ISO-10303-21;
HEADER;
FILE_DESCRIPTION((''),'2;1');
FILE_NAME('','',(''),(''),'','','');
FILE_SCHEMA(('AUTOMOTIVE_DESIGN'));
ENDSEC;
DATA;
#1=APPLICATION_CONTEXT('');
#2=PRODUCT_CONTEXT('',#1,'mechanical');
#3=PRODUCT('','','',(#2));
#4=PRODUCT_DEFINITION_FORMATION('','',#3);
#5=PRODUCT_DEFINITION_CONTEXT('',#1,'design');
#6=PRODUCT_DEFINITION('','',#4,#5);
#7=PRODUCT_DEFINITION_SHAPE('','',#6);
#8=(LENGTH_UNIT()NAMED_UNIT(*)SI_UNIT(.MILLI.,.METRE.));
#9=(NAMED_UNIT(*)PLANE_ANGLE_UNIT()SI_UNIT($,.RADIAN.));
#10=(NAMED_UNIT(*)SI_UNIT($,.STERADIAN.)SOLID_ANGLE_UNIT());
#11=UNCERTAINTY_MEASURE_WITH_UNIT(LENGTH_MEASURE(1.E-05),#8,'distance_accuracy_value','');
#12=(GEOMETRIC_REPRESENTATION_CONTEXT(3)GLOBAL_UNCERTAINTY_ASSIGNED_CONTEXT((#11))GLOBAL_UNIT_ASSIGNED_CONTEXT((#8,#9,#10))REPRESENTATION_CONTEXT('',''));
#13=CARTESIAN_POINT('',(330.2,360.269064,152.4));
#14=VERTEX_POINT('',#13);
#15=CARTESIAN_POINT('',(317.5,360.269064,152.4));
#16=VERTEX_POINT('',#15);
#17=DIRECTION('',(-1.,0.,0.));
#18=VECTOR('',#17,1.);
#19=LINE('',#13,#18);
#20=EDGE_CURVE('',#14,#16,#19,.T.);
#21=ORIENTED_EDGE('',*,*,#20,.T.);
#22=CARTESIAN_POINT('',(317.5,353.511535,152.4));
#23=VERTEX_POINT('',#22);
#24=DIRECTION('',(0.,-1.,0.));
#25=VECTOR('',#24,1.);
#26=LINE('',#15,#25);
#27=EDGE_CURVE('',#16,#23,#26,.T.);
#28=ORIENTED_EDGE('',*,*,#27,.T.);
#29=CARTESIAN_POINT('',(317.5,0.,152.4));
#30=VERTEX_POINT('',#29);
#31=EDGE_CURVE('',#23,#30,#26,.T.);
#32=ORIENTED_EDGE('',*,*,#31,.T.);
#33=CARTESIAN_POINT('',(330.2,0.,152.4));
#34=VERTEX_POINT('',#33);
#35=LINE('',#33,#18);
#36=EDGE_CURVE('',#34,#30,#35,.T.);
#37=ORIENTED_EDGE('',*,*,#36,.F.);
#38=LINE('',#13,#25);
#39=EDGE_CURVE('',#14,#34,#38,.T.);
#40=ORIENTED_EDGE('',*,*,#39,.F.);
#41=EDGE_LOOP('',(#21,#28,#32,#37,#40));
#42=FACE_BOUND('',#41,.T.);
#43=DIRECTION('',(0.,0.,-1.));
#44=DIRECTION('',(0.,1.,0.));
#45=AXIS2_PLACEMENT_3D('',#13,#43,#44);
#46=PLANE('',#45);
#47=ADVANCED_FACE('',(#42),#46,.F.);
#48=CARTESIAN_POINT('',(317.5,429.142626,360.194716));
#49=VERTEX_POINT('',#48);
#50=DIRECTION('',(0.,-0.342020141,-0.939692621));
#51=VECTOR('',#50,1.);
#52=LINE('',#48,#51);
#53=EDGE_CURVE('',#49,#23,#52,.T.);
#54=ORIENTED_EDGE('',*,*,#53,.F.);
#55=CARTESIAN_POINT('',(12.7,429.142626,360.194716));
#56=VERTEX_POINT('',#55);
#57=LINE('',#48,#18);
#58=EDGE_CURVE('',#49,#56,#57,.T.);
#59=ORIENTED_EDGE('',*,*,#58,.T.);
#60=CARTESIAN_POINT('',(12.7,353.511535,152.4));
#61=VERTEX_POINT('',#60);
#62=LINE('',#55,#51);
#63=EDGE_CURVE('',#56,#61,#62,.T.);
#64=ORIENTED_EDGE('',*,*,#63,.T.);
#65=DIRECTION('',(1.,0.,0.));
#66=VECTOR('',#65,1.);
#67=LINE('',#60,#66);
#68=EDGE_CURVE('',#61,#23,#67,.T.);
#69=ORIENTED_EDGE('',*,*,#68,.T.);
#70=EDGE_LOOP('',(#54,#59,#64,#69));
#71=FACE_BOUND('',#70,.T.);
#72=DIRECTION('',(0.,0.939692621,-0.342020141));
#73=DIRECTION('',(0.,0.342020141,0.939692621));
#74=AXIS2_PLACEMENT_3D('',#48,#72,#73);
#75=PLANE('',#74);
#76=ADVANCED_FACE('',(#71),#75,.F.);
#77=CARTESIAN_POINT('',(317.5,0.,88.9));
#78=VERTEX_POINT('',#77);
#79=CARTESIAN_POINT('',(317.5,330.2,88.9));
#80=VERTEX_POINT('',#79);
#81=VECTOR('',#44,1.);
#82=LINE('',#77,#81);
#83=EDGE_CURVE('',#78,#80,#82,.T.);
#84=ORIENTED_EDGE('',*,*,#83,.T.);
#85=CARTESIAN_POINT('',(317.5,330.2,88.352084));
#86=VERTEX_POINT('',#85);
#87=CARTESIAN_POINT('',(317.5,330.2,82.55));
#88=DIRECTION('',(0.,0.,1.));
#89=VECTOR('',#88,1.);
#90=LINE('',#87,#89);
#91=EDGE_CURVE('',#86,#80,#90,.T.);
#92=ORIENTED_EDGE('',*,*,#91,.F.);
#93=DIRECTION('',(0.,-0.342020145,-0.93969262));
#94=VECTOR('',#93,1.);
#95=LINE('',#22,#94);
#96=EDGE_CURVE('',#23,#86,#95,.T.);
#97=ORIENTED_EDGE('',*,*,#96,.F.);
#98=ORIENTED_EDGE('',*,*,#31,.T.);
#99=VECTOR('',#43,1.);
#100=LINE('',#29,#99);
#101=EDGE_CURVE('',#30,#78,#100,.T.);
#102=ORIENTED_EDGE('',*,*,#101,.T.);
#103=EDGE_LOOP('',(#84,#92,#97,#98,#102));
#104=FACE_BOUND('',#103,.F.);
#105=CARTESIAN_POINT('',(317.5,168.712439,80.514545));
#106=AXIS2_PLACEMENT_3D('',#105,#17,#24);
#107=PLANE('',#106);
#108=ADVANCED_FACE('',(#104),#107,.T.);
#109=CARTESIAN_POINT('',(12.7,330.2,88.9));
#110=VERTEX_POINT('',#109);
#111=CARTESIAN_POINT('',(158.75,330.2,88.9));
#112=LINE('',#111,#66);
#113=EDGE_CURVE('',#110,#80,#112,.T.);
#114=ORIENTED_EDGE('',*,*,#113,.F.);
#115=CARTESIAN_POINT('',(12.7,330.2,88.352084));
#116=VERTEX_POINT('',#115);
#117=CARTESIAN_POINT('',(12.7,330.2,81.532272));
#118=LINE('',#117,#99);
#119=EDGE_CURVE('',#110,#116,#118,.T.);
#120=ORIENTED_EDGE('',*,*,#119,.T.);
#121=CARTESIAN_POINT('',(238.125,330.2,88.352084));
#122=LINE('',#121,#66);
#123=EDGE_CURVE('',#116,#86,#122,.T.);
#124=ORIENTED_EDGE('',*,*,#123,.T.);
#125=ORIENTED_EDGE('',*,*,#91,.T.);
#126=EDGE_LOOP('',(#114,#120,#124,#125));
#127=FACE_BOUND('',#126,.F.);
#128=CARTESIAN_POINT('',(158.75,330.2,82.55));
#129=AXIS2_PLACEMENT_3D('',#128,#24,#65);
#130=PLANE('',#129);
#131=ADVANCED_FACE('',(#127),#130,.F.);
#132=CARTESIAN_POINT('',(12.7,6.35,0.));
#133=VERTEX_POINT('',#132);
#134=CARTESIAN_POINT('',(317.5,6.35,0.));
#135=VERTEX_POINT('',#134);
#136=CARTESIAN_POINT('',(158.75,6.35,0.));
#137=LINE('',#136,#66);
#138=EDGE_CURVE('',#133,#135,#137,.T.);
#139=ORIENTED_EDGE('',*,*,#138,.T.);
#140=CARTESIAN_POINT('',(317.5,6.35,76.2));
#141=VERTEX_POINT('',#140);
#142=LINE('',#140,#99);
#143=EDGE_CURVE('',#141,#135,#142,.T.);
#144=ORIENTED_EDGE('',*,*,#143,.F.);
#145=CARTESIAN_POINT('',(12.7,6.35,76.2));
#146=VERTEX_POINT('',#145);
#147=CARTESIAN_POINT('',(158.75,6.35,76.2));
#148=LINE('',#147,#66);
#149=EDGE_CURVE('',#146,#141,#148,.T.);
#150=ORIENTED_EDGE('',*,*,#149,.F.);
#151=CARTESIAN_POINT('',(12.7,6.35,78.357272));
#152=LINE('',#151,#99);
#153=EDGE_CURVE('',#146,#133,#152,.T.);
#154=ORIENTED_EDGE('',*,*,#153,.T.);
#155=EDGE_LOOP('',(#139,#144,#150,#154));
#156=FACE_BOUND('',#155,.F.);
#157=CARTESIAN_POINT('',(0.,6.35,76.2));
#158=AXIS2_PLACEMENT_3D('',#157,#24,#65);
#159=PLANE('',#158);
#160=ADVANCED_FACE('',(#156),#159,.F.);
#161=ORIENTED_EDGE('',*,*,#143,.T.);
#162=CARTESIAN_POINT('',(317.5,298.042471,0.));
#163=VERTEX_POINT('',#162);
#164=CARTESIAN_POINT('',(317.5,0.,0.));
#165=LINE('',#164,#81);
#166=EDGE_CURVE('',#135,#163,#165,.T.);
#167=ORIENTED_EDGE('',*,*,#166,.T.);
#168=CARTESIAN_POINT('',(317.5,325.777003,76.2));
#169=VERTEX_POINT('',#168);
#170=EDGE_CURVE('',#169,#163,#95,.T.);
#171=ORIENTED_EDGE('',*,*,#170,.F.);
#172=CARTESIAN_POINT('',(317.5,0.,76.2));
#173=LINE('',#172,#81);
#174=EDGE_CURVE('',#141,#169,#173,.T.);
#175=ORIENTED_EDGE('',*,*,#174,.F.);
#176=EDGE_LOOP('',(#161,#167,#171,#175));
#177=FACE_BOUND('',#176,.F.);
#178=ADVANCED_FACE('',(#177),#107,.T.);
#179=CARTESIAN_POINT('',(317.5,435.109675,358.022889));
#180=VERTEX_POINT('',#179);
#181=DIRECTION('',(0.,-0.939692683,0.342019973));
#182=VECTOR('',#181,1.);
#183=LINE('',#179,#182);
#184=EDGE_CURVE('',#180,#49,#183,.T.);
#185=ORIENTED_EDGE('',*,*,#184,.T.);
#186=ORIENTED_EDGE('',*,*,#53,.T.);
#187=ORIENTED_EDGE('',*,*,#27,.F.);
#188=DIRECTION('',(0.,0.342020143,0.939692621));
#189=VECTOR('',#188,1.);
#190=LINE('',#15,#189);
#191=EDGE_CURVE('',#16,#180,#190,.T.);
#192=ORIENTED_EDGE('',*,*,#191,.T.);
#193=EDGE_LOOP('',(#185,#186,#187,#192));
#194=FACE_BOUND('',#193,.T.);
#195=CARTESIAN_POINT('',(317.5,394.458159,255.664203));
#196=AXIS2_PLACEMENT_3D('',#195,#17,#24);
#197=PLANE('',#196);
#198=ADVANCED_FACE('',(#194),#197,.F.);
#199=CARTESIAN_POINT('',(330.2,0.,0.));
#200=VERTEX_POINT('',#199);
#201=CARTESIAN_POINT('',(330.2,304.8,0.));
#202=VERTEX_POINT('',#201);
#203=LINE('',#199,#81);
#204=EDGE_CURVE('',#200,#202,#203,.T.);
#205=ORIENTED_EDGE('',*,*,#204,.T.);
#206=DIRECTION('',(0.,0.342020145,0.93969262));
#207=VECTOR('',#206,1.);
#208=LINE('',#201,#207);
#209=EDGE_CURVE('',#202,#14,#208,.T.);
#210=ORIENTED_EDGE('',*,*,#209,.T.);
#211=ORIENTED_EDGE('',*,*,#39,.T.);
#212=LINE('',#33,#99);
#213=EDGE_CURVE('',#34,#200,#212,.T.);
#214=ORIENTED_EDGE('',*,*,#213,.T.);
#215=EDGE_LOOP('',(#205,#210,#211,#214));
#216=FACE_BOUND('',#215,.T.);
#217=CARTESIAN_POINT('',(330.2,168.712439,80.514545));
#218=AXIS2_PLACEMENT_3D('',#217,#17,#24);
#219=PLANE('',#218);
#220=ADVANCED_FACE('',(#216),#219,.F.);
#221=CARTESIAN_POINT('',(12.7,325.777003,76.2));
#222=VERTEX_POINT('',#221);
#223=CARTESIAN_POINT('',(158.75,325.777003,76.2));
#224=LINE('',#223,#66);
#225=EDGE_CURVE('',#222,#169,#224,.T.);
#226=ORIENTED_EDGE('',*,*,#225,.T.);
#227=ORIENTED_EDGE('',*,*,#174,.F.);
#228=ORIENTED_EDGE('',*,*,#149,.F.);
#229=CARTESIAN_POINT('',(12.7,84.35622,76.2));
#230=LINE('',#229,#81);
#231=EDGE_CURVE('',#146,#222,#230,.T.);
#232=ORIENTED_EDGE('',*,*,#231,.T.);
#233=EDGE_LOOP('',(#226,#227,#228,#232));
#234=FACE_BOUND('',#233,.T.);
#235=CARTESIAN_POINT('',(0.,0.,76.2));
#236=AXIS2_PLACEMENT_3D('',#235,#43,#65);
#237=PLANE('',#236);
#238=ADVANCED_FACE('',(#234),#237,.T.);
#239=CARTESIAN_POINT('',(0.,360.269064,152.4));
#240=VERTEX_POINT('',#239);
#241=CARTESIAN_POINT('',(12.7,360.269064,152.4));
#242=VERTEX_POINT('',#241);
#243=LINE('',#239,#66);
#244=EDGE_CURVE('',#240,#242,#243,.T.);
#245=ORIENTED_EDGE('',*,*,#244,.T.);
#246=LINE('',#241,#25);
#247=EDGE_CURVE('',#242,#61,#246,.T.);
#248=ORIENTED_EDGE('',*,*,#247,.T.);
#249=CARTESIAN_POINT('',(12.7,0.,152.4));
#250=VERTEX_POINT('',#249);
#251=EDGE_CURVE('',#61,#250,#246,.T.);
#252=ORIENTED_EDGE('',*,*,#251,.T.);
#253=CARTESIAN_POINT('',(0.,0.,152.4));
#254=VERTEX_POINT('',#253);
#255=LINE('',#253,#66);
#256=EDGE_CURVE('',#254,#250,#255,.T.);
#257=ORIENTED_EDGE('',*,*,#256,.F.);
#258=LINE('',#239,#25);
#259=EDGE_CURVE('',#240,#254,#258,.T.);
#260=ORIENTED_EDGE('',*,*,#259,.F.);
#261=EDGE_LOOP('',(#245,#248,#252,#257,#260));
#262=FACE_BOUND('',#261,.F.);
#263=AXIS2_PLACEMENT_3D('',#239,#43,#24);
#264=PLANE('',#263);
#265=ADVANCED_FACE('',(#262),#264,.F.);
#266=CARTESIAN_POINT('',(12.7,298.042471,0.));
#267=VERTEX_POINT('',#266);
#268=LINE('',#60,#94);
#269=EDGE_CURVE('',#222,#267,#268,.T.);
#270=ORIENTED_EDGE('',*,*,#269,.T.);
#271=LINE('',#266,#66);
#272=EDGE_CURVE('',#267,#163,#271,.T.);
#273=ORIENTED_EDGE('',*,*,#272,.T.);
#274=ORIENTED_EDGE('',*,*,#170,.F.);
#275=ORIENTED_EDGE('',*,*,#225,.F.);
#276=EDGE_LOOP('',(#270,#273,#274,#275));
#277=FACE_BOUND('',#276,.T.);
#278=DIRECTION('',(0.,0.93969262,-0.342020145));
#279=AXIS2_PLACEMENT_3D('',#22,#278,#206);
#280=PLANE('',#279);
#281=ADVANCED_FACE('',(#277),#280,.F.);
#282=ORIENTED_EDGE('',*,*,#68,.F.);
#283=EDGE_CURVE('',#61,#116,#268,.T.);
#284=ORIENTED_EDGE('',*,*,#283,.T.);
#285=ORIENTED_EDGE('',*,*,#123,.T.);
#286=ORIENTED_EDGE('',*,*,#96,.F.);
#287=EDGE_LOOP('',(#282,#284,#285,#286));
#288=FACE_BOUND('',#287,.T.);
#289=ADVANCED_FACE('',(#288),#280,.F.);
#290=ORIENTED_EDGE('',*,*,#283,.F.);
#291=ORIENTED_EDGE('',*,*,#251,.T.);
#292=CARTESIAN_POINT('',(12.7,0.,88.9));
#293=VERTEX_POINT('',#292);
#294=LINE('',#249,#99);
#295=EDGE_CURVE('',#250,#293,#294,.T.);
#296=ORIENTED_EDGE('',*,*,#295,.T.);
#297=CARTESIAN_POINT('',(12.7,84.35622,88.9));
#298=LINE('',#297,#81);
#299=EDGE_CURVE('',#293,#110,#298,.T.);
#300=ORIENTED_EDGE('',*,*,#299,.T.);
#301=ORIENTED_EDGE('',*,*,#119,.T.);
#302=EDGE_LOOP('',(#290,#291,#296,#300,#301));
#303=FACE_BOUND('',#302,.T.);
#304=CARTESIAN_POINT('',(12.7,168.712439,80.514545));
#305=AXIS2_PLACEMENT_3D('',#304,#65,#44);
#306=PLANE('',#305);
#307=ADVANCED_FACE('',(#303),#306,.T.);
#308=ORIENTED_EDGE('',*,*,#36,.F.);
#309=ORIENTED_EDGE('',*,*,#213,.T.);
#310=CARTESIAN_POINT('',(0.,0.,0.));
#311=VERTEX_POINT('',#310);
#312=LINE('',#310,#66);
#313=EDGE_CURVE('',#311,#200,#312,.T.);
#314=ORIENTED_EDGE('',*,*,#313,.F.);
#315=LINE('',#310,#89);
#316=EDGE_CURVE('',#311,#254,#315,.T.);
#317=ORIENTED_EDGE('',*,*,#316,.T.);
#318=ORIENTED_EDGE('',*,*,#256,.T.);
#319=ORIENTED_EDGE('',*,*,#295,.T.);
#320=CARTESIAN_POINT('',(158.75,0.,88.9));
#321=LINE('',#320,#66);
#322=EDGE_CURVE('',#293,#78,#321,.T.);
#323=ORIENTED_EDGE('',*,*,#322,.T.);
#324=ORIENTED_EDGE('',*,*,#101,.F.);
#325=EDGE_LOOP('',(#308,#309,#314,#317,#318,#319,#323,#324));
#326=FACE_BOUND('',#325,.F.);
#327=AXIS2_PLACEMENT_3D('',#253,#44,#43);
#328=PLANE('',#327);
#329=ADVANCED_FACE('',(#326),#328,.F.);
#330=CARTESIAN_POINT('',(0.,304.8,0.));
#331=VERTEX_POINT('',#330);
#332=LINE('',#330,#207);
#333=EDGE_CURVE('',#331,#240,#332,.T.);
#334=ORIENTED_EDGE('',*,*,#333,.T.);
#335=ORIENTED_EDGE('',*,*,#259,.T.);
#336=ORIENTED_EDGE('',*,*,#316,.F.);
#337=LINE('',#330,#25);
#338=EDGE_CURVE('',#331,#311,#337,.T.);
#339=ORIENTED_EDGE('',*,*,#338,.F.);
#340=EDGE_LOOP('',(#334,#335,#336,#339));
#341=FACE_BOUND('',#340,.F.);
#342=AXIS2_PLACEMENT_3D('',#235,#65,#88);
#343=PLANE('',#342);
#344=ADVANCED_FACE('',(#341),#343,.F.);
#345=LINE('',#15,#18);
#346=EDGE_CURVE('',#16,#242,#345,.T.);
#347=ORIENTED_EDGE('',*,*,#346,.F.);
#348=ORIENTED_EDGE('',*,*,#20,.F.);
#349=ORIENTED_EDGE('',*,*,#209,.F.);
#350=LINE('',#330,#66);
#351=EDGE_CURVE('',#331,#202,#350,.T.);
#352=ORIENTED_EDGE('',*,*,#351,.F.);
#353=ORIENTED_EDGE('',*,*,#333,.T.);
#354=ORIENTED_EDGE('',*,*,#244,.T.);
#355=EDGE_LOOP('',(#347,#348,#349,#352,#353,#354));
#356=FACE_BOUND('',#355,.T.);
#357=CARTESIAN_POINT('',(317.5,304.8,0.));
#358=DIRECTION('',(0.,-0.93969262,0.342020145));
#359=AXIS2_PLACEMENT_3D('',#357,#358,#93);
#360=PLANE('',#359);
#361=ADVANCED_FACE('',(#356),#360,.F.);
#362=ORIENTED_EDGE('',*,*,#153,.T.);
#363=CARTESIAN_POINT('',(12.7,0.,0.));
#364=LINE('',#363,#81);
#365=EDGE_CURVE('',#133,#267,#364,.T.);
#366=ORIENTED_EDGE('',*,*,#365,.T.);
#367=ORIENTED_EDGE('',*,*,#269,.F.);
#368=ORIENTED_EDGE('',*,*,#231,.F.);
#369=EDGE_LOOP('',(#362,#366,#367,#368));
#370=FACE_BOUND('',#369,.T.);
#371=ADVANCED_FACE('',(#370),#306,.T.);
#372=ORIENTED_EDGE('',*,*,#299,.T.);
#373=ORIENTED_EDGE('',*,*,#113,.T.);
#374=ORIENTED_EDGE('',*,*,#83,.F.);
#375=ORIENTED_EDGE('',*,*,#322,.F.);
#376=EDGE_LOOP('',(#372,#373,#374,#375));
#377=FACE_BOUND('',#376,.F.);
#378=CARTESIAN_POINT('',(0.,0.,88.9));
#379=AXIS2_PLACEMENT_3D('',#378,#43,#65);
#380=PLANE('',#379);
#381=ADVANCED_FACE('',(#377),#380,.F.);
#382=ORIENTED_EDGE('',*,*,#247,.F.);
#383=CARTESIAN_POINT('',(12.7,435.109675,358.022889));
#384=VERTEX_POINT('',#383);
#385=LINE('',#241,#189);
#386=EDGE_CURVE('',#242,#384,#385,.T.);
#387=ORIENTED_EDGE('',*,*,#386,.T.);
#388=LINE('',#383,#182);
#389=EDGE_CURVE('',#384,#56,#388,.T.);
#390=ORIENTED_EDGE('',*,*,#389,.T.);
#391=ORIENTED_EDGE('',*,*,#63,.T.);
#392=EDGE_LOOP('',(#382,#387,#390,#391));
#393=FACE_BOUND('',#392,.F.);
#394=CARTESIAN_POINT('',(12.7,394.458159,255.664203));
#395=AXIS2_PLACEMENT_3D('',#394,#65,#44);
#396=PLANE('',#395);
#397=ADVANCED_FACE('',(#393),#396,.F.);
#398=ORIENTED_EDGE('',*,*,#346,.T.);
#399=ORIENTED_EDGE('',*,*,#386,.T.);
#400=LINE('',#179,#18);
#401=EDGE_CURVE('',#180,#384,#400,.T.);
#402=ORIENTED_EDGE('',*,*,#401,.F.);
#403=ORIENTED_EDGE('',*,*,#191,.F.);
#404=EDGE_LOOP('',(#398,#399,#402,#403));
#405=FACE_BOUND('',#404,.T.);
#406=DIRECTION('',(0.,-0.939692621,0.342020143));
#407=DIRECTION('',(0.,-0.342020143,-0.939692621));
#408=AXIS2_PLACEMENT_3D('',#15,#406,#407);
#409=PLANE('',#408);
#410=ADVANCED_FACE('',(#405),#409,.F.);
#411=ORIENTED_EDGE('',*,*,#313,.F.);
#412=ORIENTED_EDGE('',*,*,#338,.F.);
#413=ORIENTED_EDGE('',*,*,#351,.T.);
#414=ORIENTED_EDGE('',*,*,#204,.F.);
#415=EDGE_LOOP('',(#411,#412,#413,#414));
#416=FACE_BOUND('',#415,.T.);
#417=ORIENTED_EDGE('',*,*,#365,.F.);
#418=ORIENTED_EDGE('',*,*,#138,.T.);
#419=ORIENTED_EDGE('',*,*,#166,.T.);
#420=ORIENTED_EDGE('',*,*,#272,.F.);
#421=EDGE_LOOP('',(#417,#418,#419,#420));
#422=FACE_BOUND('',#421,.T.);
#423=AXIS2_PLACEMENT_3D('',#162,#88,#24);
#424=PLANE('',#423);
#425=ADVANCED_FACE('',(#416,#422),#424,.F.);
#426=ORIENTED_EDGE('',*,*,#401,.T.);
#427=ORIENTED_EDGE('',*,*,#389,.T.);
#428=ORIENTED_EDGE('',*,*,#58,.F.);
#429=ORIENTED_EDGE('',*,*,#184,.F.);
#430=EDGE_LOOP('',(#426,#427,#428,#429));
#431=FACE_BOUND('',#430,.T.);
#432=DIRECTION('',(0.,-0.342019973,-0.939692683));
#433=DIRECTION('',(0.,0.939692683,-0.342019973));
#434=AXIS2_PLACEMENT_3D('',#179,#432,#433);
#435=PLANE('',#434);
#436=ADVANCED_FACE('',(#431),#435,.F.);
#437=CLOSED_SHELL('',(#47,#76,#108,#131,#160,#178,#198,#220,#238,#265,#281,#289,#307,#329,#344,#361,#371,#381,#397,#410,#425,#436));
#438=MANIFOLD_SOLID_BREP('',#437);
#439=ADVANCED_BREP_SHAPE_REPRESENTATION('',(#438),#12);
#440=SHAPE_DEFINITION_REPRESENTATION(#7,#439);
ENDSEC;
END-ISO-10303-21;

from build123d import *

# Parameters (mm, degrees)
F1_DEPTH = 12.7
F3_DEPTH = 152.4
F5_W     = 317.5
F5_H     = 12.7
F6_DEPTH = 330.2
F8_W     = 317.5
F8_H     = 6.35
F9_DEPTH = 76.2


with BuildPart() as f1:
    # F0 (on Right) → F1 (new body)
    with BuildSketch(Plane.YZ):
        Polygon((0, 152.4), (0, 0), (304.8, 0), (360.269064, 152.4), align=None)
    extrude(amount=F1_DEPTH)

    # F2 (on face) → F3 (join)
    with BuildSketch(Plane.YZ.offset(12.7)):
        Polygon((429.142626, 360.194716), (353.511535, 152.4), (360.269064, 152.4), (435.109675, 358.022889), align=None)
        Polygon((353.511535, 152.4), (298.042471, 0), (304.8, 0), (360.269064, 152.4), align=None)
    extrude(amount=F3_DEPTH)

    # F4: F1 across face


with BuildPart() as f1_1:
    add(f1.part)
    add(f1.part.mirror(Plane(origin=(165.1, 366.770487, 179.554949), x_dir=(0, 1, 0), z_dir=(1, 0, 0))))

    # F5 (on Front) → F6 (join)
    with BuildSketch(Plane.XZ):
        with Locations((158.75, 82.55)):
            Rectangle(F5_W, F5_H)
    extrude(amount=-F6_DEPTH)

    # F8 (on face) → F9 (join)
    with BuildSketch(Plane(origin=(0, 0, 76.2), x_dir=(1, 0, 0), z_dir=(0, 0, -1))):
        with Locations((158.75, -3.175)):
            Rectangle(F8_W, F8_H)
    extrude(amount=F9_DEPTH)


solid = f1_1.part
